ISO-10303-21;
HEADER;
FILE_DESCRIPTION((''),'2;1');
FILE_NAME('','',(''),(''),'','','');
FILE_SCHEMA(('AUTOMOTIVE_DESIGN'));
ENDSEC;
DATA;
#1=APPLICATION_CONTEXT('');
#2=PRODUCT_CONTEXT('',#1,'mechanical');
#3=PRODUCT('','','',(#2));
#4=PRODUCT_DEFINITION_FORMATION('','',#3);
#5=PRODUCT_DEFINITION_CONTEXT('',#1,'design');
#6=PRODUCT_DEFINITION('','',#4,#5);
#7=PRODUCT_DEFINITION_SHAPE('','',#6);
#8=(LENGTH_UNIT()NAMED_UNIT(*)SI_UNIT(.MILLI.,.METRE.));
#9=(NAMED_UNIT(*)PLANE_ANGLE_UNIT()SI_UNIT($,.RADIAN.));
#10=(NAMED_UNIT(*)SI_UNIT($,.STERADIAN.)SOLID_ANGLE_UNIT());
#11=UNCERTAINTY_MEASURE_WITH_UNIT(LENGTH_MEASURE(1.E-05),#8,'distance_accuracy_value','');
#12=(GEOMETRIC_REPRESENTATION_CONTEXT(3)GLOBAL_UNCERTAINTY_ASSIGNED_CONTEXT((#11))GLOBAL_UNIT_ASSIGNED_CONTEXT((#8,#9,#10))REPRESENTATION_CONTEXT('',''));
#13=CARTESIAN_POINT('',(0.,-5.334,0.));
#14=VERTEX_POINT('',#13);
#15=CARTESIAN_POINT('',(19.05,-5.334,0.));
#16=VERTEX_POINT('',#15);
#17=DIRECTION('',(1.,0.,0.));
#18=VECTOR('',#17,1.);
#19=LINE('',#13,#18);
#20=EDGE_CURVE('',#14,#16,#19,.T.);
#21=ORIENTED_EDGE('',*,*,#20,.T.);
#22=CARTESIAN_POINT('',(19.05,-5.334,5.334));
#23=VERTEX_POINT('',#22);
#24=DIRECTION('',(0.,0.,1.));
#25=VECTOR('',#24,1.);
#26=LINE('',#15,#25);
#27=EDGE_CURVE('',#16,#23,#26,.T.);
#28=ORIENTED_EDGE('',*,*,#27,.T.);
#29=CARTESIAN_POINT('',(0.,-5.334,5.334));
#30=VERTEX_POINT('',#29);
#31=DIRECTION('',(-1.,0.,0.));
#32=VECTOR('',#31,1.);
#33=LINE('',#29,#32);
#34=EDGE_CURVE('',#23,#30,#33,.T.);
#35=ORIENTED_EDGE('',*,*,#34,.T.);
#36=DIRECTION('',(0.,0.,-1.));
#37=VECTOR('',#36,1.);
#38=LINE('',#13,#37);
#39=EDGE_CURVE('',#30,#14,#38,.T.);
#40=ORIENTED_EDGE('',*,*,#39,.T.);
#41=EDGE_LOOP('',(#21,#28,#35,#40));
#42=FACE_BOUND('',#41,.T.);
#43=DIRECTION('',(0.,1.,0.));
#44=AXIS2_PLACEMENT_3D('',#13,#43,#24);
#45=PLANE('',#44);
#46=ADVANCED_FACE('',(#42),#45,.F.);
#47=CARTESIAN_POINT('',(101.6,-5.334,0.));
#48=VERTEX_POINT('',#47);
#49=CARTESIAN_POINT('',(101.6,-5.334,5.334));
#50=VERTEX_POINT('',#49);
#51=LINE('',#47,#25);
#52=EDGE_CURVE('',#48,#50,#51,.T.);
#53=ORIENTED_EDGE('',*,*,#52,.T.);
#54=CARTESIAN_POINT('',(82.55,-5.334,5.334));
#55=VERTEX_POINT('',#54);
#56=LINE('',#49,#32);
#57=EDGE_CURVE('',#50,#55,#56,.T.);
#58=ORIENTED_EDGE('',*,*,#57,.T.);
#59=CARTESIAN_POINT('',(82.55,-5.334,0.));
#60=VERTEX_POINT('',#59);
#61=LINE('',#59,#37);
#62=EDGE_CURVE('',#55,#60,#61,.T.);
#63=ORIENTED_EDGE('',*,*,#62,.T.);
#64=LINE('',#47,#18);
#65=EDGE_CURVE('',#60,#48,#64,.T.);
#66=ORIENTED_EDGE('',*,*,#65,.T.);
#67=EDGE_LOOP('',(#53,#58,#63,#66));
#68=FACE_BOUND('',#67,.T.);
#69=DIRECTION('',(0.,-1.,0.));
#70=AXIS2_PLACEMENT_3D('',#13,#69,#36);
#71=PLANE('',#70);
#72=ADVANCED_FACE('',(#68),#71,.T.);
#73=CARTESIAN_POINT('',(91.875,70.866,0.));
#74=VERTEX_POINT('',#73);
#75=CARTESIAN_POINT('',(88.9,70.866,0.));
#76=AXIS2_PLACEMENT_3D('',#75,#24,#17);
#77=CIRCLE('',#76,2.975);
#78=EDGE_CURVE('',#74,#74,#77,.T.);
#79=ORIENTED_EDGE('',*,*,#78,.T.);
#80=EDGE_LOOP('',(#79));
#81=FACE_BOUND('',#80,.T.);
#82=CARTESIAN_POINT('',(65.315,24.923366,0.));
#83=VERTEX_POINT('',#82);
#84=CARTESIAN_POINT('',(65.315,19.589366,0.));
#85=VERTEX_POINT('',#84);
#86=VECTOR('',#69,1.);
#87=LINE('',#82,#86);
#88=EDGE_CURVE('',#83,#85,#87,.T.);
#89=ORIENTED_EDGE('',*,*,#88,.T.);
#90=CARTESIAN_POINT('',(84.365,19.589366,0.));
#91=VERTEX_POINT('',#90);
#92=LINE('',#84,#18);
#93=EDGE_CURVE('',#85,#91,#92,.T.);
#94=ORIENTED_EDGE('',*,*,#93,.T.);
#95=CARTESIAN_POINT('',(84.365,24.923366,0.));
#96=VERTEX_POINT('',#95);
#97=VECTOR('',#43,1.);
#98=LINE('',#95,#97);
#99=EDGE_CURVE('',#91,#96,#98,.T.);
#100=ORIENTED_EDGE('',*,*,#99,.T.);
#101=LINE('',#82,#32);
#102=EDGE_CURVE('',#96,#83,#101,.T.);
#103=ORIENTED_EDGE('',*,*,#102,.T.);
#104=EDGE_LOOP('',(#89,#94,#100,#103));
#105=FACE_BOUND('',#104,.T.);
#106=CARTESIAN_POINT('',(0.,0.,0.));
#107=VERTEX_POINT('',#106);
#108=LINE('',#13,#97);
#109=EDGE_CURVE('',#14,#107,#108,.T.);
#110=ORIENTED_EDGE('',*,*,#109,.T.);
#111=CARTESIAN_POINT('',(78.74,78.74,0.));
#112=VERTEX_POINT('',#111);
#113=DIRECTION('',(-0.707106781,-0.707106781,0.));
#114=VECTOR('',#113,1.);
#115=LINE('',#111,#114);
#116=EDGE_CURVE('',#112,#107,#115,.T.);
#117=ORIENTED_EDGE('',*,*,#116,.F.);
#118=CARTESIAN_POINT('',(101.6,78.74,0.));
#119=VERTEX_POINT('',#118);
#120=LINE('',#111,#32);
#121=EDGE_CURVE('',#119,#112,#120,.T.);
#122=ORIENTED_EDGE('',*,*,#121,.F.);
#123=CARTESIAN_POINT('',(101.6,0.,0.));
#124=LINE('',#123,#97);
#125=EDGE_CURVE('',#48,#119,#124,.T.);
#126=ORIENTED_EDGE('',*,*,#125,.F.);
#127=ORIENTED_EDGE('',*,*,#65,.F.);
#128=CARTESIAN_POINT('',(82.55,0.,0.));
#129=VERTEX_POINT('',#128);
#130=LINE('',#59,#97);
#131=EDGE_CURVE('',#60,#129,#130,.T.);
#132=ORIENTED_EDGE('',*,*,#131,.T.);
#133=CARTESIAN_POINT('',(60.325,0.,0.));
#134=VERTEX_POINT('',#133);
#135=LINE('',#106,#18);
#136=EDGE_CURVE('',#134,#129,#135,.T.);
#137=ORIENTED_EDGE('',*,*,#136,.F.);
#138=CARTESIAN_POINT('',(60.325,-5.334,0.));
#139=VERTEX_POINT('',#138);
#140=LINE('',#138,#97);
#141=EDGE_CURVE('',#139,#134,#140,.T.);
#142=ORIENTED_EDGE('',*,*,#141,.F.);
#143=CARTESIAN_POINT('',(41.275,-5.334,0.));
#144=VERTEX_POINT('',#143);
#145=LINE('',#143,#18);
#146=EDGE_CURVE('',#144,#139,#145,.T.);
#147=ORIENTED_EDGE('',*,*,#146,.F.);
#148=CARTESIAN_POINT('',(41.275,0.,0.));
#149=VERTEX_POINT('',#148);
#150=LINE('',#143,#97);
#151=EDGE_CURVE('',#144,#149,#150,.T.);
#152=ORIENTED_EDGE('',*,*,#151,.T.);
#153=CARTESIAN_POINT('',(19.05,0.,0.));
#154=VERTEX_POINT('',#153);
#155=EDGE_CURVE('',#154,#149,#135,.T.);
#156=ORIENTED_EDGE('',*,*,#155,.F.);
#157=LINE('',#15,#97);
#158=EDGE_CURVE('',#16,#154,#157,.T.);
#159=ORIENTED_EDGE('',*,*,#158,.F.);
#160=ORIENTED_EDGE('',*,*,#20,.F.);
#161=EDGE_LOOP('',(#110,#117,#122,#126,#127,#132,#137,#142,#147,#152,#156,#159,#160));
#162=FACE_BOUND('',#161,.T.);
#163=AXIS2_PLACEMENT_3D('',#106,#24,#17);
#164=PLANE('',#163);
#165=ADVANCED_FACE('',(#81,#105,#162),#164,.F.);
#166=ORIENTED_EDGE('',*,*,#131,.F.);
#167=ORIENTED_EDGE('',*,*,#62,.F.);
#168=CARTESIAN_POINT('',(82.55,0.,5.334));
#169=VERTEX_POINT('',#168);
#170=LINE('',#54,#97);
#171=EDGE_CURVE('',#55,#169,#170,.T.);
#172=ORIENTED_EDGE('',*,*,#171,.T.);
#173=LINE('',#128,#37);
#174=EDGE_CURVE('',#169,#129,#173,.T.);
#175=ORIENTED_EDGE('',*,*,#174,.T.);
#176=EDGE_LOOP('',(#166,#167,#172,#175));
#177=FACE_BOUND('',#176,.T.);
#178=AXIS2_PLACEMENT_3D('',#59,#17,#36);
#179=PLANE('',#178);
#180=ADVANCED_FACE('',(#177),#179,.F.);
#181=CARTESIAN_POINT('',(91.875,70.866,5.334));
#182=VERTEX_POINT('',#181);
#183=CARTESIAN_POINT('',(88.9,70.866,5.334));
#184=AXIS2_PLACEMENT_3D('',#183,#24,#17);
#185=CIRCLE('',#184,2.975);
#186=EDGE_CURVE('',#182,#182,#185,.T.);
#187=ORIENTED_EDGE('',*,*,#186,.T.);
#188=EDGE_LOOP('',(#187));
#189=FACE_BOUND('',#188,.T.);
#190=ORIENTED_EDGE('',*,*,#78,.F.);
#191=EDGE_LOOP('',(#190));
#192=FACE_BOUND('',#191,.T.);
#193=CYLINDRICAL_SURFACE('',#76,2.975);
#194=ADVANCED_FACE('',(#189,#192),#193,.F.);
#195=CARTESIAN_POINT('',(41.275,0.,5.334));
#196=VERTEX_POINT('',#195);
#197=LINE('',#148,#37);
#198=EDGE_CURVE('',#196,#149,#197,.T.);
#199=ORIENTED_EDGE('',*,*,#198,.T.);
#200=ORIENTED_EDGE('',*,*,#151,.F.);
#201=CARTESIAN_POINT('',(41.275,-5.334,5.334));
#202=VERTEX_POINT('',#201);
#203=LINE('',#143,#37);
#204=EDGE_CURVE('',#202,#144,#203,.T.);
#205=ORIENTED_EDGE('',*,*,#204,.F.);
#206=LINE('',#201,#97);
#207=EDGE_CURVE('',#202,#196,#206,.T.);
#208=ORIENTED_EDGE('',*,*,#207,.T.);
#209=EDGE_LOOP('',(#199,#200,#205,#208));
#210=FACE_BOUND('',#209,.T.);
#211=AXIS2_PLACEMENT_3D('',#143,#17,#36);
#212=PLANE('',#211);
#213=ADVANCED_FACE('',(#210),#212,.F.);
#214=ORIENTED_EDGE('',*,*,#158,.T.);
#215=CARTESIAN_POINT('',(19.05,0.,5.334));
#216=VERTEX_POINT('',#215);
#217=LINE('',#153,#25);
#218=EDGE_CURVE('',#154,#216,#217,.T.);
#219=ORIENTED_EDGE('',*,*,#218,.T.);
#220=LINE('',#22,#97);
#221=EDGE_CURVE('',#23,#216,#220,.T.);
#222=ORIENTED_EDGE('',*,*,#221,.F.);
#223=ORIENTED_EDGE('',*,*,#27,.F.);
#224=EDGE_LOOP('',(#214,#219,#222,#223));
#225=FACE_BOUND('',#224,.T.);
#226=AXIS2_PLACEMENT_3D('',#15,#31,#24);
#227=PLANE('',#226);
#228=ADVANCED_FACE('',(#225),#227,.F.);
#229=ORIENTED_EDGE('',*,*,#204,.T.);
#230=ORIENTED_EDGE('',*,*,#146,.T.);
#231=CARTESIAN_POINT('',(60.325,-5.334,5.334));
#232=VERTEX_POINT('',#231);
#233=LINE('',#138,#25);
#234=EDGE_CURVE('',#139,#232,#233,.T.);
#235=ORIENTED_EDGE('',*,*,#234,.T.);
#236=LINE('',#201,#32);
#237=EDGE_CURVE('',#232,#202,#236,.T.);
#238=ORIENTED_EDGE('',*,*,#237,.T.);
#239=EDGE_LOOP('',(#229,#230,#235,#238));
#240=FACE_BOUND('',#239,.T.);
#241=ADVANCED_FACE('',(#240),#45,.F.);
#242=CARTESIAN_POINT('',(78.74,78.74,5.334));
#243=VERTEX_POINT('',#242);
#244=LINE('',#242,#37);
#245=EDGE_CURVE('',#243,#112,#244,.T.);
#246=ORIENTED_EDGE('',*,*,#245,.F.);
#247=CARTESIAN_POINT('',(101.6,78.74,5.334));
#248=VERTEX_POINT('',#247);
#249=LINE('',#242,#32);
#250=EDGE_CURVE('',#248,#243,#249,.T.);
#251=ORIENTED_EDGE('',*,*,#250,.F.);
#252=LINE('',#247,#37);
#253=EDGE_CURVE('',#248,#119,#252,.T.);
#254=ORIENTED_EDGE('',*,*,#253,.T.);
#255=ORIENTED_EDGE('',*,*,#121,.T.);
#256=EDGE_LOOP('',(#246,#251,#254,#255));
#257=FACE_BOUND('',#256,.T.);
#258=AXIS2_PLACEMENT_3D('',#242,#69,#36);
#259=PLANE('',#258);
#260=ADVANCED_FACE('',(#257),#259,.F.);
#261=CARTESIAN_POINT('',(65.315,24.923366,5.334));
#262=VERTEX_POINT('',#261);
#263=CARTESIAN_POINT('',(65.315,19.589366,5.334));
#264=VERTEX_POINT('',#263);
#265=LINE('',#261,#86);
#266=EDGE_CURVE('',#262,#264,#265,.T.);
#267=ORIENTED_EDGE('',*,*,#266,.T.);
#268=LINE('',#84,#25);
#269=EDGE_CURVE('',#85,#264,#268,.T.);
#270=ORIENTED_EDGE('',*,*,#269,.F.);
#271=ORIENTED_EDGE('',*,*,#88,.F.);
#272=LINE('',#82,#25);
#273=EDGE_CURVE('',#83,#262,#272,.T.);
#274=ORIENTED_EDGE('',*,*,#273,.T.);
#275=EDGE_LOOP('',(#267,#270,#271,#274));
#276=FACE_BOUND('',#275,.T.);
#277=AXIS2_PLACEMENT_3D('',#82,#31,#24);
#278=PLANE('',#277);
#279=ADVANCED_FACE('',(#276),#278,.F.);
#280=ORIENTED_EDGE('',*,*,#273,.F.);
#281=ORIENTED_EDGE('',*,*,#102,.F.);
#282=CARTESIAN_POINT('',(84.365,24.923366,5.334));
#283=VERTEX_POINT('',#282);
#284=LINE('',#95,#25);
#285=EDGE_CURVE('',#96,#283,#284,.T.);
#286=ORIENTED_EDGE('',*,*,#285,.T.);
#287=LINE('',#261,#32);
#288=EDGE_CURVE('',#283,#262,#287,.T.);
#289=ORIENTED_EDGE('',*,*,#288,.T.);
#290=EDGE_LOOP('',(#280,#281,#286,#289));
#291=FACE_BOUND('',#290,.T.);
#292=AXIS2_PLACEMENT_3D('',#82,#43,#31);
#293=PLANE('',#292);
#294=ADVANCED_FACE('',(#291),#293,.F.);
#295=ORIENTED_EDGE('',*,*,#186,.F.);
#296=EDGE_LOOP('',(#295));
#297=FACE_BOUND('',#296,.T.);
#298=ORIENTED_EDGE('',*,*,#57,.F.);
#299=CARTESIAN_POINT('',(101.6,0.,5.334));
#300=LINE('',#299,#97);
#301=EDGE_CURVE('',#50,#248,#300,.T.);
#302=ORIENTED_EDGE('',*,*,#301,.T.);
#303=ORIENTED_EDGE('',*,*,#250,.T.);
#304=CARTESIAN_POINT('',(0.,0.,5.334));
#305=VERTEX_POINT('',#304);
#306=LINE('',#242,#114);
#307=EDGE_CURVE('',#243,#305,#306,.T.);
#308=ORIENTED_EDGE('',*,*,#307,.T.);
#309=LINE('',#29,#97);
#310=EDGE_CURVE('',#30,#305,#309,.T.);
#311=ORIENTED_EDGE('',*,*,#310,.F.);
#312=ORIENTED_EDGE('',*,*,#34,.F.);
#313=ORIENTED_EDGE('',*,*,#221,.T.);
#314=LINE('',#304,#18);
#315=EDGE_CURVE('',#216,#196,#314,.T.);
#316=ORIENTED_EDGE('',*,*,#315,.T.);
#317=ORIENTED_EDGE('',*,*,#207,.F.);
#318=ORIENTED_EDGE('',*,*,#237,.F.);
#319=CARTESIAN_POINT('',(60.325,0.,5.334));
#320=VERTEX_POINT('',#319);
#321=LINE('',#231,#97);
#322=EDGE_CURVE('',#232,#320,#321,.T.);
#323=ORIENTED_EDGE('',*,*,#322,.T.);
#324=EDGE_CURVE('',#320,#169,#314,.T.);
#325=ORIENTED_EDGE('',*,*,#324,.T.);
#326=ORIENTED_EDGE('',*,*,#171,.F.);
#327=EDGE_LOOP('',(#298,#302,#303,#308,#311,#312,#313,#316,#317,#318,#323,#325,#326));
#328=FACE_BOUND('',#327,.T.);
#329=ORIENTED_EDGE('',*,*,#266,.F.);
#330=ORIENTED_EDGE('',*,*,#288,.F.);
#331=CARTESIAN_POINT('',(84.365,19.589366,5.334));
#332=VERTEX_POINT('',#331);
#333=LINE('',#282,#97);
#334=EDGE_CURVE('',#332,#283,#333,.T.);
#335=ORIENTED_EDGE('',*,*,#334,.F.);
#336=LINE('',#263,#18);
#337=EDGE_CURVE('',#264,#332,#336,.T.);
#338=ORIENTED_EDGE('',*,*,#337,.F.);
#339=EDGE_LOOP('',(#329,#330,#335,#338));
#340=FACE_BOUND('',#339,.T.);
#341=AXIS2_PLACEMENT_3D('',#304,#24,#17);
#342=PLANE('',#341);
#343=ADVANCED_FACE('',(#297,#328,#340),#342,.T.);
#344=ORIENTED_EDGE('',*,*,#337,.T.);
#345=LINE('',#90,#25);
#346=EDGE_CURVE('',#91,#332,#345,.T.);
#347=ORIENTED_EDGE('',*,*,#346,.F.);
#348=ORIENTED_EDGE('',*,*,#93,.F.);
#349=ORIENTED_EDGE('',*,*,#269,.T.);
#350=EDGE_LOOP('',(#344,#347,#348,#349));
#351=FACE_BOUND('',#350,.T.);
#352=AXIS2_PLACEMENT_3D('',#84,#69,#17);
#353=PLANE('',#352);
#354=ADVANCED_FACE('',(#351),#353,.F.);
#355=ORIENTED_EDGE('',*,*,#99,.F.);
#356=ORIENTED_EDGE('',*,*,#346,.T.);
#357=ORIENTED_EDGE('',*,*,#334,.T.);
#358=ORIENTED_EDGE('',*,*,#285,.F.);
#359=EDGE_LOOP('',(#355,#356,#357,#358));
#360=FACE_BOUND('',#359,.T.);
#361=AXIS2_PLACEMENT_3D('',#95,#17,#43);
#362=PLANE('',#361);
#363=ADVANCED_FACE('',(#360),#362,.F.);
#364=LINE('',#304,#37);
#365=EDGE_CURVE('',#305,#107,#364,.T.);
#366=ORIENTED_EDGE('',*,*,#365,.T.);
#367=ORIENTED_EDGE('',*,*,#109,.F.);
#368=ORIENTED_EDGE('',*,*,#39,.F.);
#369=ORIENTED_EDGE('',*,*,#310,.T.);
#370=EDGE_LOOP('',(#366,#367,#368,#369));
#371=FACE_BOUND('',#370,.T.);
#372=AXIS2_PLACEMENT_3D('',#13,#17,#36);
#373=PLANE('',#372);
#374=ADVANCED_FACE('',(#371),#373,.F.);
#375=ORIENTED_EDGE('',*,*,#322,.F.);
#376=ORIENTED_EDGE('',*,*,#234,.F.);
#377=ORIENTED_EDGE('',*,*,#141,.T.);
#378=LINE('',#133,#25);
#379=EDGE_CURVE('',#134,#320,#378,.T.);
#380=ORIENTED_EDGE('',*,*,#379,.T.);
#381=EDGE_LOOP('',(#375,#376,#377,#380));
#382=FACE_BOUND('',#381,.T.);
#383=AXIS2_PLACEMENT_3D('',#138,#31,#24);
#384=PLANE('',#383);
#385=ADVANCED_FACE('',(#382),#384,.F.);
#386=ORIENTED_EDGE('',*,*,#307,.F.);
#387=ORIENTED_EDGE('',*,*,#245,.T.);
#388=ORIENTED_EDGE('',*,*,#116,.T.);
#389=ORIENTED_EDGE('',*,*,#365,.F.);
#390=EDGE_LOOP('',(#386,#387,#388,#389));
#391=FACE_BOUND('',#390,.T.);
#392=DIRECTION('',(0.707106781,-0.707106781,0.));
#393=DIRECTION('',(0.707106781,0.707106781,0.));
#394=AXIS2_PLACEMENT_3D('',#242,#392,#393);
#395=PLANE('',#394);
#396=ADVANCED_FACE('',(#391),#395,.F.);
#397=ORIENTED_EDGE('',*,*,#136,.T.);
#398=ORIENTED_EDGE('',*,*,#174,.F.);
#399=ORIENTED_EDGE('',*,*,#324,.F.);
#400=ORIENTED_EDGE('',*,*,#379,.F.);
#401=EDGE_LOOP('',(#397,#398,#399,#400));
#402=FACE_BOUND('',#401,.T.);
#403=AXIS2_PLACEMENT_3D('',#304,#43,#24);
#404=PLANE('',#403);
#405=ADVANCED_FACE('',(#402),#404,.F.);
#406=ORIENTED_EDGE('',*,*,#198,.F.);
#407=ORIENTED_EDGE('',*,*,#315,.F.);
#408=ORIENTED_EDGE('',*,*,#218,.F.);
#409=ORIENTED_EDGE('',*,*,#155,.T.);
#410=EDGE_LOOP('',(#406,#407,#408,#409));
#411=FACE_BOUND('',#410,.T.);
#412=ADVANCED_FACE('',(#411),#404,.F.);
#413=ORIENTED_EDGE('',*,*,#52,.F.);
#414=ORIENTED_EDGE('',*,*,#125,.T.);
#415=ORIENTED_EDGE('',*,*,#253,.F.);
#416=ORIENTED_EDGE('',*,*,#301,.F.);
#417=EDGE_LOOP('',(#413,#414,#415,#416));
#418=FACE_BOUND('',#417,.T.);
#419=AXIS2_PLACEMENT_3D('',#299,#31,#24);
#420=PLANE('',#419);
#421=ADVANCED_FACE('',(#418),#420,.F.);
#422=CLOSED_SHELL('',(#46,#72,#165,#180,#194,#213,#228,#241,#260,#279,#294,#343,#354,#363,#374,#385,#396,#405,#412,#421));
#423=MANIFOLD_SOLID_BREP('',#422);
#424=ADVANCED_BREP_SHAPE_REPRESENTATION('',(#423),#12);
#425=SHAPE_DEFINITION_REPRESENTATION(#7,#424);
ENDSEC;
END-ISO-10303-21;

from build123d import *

# Parameters (mm, degrees)
BASE_DEPTH         = 5.334
SKETCH2_R          = 2.975
SKETCH2_W          = 19.05
SKETCH2_H          = 5.334
MOUNT_POINTS_DEPTH = 129.650686574
SKETCH3_W          = 19.05
SKETCH3_H          = 5.334
TABS_DEPTH         = 5.334


with BuildPart() as part:
    # Sketch1 → Base (new body)
    with BuildSketch(Plane.XY):
        Polygon((78.74, 78.74), (0, 0), (101.6, 0), (101.6, 78.74), align=None)
    extrude(amount=BASE_DEPTH)

    # Sketch2 → Mount Points (cut, through all)
    with BuildSketch(Plane.XY.offset(5.334)):
        with Locations((88.9, 70.866)):
            Circle(SKETCH2_R)
        with Locations((74.84, 22.256365646)):
            Rectangle(SKETCH2_W, SKETCH2_H)
    extrude(amount=-MOUNT_POINTS_DEPTH, mode=Mode.SUBTRACT)

    # Sketch3 → Tabs (add)
    with BuildSketch(Plane.XZ):
        with Locations((9.525, 2.667)):
            Rectangle(SKETCH3_W, SKETCH3_H)
        with Locations((92.075, 2.667)):
            Rectangle(SKETCH3_W, SKETCH3_H)
        with Locations((50.8, 2.667)):
            Rectangle(SKETCH3_W, SKETCH3_H)
    extrude(amount=TABS_DEPTH)


solid = part.part
